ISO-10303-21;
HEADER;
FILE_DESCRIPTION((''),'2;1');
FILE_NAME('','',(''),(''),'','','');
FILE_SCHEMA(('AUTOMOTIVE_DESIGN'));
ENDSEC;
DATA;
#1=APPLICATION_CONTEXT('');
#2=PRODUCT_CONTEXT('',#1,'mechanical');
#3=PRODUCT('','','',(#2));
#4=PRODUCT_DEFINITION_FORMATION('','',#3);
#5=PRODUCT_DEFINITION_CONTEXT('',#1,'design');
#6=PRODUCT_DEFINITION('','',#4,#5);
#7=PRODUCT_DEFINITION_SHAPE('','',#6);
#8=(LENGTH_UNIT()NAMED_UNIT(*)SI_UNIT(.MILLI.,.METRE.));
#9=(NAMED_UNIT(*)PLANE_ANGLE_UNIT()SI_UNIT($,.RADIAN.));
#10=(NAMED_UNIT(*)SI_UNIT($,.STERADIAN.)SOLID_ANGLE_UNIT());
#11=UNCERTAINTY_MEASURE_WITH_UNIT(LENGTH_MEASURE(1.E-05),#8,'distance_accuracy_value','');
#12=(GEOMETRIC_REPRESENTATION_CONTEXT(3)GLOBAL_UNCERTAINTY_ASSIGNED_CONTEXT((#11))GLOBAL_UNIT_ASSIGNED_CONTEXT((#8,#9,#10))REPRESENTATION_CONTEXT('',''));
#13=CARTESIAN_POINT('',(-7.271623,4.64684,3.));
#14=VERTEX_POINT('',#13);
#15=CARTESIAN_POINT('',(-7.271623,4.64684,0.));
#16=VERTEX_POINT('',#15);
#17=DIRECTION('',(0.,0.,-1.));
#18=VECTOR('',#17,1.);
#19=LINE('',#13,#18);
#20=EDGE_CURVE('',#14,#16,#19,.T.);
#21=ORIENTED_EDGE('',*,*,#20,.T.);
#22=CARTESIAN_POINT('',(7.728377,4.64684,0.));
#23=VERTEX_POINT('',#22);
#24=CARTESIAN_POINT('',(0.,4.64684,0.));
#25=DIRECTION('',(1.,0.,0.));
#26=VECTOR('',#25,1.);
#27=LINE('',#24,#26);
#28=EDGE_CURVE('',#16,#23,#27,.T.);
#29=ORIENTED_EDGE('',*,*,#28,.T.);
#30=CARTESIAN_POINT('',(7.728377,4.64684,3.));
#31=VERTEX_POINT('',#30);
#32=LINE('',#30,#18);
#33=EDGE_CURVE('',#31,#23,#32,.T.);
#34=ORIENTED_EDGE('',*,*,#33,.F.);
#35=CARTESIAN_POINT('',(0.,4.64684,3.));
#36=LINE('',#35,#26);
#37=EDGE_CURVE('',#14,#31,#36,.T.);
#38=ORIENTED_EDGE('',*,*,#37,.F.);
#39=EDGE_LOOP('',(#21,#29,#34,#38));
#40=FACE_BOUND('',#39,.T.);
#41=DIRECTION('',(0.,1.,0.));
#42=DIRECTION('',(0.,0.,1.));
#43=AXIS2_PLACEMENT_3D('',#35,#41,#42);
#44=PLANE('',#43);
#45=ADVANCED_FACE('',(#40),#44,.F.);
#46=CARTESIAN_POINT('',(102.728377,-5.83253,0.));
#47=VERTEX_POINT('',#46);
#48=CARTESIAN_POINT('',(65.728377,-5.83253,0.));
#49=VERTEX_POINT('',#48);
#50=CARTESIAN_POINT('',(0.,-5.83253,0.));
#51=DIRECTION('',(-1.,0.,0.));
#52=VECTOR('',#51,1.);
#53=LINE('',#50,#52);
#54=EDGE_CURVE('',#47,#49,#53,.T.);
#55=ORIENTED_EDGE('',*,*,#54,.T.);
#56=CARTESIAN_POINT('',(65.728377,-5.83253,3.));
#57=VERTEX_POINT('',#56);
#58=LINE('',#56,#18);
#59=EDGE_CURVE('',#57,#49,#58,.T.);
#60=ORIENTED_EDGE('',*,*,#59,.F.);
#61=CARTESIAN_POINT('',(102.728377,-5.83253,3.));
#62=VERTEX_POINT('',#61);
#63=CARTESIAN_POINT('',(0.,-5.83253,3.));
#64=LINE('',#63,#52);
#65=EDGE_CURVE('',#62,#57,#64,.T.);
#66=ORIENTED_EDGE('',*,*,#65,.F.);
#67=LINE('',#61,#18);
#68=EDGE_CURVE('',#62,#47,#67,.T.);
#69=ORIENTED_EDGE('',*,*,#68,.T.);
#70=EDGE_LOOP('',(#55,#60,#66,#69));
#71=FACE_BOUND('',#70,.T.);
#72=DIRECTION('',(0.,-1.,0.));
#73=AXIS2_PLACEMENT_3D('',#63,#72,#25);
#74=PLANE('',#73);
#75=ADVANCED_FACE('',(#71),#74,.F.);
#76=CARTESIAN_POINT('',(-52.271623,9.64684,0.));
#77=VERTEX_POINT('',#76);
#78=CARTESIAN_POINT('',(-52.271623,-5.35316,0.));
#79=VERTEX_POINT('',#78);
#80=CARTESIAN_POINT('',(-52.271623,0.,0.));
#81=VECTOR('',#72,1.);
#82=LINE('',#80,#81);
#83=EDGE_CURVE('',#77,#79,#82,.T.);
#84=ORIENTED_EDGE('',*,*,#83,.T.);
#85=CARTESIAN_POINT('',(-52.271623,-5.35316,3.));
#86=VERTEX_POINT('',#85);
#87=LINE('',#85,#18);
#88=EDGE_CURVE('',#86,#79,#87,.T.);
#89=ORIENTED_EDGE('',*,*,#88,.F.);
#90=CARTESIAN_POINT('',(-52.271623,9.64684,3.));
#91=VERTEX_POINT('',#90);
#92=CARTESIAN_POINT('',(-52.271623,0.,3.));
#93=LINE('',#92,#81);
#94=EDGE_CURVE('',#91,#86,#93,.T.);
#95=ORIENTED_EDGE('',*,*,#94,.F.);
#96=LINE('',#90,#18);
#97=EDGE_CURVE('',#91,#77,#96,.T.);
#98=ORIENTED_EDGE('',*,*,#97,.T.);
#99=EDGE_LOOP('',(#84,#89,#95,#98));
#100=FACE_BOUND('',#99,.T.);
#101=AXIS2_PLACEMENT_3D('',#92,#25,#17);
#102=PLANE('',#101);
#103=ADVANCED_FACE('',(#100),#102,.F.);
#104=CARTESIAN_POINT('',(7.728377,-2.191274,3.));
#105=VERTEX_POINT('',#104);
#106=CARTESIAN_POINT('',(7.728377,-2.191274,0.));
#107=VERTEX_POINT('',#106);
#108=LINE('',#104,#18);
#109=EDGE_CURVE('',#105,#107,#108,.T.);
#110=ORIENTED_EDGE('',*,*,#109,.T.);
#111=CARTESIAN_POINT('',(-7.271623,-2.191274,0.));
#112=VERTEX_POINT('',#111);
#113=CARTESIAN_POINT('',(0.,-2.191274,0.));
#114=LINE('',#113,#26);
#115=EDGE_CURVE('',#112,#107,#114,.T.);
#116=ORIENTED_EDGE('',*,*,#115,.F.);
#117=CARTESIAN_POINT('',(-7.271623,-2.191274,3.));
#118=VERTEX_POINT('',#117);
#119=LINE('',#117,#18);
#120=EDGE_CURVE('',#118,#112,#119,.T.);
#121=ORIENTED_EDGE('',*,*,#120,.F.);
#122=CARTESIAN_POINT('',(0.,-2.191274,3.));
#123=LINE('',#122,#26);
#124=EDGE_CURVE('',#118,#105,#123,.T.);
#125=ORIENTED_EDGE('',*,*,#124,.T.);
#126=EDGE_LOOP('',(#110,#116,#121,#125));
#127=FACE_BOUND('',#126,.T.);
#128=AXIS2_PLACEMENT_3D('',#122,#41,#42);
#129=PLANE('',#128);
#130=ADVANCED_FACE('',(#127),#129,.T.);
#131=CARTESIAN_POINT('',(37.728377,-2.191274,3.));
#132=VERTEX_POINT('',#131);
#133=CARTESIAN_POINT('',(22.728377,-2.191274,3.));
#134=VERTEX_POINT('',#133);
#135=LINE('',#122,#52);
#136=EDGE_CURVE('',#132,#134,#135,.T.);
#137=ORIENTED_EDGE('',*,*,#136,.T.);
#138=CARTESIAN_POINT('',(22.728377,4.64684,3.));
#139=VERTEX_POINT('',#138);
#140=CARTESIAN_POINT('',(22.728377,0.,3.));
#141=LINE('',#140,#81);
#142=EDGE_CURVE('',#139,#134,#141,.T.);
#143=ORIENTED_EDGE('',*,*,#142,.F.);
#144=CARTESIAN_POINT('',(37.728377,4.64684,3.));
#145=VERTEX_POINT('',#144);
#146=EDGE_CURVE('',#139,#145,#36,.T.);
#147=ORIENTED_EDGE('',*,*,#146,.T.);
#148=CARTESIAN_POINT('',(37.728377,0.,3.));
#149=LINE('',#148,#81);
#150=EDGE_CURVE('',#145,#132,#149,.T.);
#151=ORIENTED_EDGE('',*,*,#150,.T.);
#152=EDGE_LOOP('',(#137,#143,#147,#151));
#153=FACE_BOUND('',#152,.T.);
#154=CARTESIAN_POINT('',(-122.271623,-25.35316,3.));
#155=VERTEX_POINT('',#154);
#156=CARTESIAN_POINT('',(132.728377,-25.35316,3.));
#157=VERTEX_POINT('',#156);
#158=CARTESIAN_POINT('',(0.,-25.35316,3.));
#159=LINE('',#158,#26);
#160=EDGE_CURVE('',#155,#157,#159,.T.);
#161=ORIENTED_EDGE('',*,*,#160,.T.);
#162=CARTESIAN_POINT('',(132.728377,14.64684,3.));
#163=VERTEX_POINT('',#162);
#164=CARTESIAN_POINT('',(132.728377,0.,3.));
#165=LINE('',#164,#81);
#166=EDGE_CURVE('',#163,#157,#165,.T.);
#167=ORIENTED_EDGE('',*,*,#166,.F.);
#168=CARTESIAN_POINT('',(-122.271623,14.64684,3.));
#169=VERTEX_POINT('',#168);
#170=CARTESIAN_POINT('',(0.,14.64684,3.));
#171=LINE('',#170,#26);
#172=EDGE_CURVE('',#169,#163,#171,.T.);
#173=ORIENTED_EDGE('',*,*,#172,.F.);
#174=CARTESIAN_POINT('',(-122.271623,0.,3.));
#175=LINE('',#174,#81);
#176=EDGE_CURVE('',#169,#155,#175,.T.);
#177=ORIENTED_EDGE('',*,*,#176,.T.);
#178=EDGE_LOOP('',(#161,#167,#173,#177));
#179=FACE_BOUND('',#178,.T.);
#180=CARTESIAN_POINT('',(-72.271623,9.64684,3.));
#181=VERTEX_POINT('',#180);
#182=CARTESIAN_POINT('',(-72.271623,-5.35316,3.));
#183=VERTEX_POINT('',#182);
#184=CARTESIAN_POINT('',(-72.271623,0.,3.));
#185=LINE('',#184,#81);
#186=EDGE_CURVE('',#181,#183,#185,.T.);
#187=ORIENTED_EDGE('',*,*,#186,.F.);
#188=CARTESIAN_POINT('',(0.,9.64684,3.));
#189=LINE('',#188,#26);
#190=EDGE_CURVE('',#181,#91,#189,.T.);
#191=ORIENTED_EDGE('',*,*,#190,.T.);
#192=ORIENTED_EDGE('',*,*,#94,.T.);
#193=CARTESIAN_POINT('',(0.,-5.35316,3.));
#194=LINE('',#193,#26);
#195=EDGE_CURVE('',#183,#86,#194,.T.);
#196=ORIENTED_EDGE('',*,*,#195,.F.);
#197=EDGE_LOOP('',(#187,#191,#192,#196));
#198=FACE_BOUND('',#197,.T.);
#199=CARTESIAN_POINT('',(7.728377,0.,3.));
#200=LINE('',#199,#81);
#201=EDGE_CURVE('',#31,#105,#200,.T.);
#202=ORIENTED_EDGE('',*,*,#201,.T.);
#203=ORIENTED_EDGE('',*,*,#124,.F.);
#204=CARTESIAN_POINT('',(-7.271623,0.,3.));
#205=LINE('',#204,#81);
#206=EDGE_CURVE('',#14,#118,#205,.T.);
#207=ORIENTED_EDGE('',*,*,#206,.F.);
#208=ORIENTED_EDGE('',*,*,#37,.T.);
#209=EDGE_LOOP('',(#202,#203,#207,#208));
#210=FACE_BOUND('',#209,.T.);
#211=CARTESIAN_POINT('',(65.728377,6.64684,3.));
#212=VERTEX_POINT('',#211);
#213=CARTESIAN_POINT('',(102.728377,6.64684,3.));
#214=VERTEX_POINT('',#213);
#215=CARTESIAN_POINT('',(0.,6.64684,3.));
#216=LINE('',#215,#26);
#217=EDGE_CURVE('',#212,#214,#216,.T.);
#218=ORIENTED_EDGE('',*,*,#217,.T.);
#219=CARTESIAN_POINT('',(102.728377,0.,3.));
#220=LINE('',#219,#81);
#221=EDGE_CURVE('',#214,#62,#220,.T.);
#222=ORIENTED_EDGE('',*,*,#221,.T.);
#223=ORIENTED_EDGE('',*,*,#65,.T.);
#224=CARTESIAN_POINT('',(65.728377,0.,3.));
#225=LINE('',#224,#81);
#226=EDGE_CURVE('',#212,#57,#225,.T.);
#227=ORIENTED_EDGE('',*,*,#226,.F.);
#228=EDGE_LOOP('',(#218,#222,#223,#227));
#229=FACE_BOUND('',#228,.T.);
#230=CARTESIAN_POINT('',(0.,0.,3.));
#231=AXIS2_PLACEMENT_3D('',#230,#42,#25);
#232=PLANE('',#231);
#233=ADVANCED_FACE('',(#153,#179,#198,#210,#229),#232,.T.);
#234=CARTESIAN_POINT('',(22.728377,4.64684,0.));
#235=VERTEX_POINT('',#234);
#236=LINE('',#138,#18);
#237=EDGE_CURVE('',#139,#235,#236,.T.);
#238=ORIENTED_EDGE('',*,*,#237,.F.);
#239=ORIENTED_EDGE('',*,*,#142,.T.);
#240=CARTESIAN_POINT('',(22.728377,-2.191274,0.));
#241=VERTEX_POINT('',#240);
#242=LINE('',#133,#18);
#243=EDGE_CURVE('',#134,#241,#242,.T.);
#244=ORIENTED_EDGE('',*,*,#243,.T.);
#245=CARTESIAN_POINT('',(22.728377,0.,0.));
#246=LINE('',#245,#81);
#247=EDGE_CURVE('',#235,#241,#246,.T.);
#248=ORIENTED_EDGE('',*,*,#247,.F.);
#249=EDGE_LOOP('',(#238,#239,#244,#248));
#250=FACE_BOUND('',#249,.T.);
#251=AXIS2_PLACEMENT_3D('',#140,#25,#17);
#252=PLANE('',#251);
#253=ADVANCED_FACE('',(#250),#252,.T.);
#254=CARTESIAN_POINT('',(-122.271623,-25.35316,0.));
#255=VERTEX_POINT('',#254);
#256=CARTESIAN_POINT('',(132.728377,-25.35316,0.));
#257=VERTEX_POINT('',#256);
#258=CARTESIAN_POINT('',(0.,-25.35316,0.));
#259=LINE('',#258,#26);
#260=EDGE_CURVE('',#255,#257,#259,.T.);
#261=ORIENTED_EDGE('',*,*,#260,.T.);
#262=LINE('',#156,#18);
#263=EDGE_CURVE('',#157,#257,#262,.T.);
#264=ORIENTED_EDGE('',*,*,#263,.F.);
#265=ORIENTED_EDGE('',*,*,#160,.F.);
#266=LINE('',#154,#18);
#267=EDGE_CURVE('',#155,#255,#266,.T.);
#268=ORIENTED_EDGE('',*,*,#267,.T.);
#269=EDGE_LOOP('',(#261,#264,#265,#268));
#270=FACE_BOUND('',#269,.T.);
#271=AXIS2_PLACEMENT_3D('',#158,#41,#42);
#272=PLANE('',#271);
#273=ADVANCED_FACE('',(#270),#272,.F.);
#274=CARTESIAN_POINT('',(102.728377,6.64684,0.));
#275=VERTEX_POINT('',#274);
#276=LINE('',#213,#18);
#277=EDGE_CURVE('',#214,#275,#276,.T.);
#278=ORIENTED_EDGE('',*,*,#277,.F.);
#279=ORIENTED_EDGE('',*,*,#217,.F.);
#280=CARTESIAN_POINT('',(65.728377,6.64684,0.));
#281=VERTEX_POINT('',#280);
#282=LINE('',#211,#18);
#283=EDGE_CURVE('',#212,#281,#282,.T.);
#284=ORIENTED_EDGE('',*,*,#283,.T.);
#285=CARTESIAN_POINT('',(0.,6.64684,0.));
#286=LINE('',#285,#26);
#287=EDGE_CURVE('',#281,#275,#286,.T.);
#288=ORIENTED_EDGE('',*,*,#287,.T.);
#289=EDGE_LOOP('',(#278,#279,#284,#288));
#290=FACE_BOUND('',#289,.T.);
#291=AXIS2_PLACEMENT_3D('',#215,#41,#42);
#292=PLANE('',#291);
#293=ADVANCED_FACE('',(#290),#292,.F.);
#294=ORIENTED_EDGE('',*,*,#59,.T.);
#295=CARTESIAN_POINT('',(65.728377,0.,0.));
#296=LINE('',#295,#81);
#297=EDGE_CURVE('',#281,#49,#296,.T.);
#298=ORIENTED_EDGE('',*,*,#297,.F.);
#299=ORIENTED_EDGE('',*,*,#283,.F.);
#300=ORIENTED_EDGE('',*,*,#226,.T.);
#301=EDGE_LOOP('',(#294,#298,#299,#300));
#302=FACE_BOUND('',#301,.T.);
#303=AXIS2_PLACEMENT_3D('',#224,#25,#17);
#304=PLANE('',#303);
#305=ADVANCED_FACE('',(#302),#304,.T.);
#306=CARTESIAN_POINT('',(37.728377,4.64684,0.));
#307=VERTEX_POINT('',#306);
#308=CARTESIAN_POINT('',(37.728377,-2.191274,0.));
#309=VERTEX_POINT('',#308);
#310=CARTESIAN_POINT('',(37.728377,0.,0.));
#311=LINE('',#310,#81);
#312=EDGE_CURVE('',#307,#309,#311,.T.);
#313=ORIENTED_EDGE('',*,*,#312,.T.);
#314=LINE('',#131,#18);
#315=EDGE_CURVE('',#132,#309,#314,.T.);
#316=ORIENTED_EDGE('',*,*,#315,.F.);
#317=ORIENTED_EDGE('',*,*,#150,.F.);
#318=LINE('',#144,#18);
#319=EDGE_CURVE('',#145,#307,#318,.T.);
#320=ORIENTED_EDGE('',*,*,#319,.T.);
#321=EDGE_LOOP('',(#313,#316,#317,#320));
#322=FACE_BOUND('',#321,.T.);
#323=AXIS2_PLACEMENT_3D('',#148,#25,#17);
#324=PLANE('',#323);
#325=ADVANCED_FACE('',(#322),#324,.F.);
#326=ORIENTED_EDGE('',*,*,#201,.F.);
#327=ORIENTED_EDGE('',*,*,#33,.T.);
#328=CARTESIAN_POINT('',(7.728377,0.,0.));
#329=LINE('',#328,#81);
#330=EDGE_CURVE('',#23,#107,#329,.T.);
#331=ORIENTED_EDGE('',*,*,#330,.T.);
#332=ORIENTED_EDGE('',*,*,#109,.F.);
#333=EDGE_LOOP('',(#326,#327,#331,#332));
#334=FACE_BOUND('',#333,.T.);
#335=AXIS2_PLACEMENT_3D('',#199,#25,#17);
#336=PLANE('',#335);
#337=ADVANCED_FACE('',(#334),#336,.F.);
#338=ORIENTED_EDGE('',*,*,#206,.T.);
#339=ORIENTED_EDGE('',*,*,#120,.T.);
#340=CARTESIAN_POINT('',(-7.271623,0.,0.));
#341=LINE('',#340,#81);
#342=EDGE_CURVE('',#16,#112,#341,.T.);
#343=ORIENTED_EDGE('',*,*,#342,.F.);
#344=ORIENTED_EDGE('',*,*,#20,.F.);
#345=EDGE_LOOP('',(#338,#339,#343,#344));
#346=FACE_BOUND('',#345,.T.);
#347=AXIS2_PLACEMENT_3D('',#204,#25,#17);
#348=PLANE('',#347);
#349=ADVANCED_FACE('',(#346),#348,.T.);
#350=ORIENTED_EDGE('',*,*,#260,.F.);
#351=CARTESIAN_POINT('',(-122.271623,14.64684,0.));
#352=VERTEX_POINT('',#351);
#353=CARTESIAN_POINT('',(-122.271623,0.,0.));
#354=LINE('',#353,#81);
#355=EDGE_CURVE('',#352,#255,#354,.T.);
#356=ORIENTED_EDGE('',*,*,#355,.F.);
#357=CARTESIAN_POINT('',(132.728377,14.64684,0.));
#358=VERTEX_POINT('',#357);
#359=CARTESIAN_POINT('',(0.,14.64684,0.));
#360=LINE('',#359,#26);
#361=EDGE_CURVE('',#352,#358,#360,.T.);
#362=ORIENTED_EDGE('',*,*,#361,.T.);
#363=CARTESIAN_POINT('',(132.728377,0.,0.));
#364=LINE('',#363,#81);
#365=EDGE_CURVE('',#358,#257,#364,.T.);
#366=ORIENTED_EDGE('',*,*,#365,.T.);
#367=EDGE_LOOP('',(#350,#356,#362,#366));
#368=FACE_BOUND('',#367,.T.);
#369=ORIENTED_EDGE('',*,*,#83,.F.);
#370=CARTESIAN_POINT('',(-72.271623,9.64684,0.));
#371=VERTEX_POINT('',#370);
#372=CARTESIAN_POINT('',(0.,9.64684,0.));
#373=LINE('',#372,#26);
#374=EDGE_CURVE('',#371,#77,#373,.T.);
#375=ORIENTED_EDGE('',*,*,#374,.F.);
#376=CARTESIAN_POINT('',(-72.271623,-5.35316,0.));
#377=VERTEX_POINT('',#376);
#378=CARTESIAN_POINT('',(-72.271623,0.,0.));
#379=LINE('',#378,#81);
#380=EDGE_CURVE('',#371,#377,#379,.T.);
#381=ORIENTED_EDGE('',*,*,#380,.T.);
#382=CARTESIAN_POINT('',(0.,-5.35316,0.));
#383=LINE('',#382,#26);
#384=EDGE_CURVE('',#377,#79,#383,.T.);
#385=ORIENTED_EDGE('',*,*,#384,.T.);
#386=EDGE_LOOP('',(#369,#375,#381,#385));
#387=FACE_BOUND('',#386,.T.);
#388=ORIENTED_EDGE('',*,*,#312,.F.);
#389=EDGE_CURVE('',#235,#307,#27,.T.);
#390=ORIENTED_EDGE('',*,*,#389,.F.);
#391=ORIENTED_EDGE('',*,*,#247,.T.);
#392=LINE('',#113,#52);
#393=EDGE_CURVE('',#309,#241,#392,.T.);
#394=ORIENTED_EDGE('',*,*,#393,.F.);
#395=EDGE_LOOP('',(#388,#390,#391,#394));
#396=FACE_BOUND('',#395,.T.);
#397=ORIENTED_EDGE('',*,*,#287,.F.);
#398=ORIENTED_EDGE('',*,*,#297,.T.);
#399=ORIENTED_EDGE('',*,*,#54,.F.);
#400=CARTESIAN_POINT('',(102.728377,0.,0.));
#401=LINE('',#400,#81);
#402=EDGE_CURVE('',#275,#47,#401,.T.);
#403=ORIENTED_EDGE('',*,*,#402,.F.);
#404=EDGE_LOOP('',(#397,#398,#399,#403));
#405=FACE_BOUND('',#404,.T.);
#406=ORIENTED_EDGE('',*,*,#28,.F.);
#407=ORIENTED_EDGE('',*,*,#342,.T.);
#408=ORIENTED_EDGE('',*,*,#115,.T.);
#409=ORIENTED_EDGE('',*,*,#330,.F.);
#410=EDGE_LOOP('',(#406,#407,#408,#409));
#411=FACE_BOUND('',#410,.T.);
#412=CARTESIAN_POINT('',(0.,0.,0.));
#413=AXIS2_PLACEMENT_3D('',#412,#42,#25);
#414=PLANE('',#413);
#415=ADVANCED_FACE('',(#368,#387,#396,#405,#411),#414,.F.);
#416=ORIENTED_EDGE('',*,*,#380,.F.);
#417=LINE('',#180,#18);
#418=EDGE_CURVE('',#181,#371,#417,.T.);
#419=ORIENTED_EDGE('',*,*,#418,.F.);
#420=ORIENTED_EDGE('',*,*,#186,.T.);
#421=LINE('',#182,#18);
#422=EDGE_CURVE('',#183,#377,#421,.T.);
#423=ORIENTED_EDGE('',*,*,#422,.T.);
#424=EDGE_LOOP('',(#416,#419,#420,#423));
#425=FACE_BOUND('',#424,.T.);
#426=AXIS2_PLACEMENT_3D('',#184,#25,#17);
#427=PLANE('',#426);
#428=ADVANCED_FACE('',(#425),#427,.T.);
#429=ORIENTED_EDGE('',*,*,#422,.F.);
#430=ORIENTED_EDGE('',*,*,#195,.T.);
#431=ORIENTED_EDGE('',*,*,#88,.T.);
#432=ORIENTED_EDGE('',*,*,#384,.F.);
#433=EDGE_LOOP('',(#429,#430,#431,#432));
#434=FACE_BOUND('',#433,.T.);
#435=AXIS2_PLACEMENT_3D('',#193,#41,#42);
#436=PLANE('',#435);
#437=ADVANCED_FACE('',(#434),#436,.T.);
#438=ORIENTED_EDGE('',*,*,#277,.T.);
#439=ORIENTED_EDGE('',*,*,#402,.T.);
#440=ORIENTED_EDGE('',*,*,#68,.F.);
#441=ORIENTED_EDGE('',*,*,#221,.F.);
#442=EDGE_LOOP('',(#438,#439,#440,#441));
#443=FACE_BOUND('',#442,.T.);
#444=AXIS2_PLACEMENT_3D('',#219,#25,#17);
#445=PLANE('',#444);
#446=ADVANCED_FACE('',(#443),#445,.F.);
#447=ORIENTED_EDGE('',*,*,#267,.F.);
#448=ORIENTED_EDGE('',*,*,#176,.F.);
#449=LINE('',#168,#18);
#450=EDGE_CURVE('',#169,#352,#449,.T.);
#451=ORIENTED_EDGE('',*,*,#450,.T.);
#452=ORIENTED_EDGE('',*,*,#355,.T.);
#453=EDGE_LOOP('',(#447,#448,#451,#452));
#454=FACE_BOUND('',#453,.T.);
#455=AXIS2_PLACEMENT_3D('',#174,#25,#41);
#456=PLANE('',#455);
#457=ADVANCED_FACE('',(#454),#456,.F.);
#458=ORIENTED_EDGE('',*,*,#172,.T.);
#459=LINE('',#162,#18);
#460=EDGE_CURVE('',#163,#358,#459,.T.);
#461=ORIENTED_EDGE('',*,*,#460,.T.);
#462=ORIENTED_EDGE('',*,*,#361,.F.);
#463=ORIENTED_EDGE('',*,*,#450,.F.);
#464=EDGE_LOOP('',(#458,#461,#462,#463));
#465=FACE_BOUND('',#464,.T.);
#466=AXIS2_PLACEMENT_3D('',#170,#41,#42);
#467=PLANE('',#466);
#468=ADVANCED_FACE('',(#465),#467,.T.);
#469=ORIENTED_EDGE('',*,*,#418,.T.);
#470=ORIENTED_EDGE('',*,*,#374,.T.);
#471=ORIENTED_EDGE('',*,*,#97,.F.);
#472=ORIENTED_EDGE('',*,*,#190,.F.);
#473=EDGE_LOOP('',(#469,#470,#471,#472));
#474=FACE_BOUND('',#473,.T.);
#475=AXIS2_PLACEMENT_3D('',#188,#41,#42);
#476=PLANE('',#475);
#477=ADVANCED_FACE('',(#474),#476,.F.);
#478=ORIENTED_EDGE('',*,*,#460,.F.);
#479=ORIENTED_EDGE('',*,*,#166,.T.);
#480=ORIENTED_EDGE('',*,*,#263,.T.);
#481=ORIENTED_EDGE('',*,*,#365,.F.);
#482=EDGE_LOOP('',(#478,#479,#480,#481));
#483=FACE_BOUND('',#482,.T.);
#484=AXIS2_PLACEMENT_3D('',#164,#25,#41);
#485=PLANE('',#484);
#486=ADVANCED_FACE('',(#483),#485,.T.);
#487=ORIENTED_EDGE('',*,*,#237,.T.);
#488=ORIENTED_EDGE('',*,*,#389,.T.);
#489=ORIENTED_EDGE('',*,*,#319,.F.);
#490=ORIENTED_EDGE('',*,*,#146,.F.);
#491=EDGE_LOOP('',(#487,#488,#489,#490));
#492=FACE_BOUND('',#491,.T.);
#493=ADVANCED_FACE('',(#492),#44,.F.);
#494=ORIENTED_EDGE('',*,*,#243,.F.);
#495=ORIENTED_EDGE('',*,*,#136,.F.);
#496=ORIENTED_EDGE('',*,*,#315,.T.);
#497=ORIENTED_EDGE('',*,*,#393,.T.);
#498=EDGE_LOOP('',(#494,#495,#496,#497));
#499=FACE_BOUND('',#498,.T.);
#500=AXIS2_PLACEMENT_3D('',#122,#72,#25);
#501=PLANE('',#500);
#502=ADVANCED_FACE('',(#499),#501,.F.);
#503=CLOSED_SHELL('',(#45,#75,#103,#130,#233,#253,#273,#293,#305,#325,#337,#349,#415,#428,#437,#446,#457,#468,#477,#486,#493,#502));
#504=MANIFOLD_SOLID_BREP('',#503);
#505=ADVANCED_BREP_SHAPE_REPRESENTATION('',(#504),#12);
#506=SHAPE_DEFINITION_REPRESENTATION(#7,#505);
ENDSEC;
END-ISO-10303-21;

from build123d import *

# Parameters (mm, degrees)
SKETCH1_W           = 255
SKETCH1_H           = 40
SKETCH1_W_2         = 37
SKETCH1_H_2         = 12.479370463
SKETCH1_W_3         = 15
SKETCH1_H_3         = 6.838113775
SKETCH1_W_4         = 20
SKETCH1_H_4         = 15
BOSS_EXTRUDE1_DEPTH = 3


with BuildPart() as part:
    # Sketch1 → Boss-Extrude1 (new body)
    with BuildSketch(Plane.XY):
        with Locations((5.228376866, -5.353159851)):
            Rectangle(SKETCH1_W, SKETCH1_H)
        with Locations((84.228376866, 0.407154917)):
            Rectangle(SKETCH1_W_2, SKETCH1_H_2, mode=Mode.SUBTRACT)
        with Locations((30.228376866, 1.227783261)):
            Rectangle(SKETCH1_W_3, SKETCH1_H_3, mode=Mode.SUBTRACT)
        with Locations((0.228376866, 1.227783261)):
            Rectangle(SKETCH1_W_3, SKETCH1_H_3, mode=Mode.SUBTRACT)
        with Locations((-62.271623134, 2.146840149)):
            Rectangle(SKETCH1_W_4, SKETCH1_H_4, mode=Mode.SUBTRACT)
    extrude(amount=BOSS_EXTRUDE1_DEPTH)


solid = part.part
